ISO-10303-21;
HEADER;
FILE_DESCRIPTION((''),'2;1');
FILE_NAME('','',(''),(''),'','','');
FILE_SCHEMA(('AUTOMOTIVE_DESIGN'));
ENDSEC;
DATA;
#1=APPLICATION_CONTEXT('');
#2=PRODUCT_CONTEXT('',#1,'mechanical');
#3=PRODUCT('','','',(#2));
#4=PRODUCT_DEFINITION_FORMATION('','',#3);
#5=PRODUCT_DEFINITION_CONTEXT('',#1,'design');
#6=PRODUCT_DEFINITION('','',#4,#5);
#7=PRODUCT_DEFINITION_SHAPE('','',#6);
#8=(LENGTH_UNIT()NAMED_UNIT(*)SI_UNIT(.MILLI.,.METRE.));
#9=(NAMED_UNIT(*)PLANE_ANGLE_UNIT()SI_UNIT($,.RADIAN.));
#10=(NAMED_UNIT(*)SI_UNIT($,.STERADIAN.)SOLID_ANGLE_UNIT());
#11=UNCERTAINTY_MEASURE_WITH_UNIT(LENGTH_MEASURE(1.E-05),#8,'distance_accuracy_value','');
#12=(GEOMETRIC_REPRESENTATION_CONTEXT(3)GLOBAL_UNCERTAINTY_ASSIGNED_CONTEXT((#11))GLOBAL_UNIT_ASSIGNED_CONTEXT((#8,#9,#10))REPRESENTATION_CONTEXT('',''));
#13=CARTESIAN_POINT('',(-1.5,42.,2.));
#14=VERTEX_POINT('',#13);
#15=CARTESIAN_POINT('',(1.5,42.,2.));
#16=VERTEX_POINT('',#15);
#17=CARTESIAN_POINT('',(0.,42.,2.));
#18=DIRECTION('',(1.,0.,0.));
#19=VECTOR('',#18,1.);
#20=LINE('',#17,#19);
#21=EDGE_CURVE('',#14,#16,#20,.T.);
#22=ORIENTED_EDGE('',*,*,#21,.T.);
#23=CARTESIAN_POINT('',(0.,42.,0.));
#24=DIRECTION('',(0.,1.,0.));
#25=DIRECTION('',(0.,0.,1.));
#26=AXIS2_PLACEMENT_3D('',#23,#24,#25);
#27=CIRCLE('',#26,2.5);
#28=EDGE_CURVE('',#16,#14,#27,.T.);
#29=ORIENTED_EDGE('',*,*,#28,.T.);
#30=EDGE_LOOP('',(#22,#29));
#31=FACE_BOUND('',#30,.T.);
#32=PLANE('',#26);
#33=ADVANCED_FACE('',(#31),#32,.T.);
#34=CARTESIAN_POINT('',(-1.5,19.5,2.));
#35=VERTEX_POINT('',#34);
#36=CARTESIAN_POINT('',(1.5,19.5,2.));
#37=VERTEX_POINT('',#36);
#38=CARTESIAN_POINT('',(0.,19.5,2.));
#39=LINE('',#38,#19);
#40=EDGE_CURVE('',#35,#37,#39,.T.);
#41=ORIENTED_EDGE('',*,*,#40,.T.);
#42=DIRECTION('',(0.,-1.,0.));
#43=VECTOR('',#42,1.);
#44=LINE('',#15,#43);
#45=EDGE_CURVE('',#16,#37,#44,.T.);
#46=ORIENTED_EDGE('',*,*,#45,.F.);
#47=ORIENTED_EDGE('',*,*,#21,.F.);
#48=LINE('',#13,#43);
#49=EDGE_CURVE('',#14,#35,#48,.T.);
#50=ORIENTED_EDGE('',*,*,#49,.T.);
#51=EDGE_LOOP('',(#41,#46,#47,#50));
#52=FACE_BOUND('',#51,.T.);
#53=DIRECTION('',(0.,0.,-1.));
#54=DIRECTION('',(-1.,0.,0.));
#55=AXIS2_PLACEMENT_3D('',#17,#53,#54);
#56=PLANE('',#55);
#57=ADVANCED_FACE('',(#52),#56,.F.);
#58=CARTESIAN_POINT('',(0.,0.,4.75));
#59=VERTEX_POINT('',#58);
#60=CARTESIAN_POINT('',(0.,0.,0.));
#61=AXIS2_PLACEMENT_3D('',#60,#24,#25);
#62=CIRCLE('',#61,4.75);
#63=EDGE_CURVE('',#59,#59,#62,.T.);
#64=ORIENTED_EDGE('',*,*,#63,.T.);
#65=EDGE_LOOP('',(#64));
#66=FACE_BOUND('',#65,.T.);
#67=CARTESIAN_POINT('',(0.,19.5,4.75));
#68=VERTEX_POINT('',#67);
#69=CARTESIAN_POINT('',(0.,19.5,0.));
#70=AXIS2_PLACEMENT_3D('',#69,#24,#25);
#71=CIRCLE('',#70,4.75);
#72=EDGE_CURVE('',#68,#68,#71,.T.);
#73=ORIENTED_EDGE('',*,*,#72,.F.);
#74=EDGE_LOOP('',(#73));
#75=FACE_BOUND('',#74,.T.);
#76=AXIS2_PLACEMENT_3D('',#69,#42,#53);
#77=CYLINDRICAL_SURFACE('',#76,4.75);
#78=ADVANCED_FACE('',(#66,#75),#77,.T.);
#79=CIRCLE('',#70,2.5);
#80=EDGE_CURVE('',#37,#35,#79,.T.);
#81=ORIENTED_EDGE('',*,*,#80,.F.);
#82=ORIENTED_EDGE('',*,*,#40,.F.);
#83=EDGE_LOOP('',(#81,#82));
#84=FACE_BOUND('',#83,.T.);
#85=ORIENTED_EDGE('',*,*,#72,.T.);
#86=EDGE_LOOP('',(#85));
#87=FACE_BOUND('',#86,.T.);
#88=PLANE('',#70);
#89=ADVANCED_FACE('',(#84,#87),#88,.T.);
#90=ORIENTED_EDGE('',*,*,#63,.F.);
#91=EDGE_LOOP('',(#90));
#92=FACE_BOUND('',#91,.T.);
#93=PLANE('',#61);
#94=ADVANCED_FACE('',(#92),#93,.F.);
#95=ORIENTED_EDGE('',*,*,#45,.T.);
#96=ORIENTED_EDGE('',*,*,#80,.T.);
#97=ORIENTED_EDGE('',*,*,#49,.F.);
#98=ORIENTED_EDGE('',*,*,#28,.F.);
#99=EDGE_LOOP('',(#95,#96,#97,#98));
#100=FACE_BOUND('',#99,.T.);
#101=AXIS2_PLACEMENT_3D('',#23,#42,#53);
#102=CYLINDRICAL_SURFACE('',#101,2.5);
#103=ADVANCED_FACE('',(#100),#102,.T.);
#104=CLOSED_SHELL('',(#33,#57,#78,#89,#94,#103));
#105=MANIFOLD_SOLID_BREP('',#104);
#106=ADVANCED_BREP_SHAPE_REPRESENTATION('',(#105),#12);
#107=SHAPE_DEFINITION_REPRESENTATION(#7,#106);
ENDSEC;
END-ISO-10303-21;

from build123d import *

# Parameters (mm, degrees)
SKETCH_1_R      = 4.75
EXTRUDE_1_DEPTH = 19.5
EXTRUDE_2_DEPTH = 22.5


with BuildPart() as part:
    # 草图1 → 凸台-拉伸1 (new body)
    with BuildSketch(Plane(origin=(0, 0, 0), x_dir=(1, 0, 0), z_dir=(0, 1, 0))):
        with Locations(Location((0, 0, 0), (0, 0, 270))):
            Circle(SKETCH_1_R)
    extrude(amount=EXTRUDE_1_DEPTH)

    # 草图2 → 凸台-拉伸2 (add)
    with BuildSketch(Plane(origin=(0, 19.5, 0), x_dir=(1, 0, 0), z_dir=(0, 1, 0))):
        with BuildLine():
            ThreePointArc((2.5, 0), (-1.118033989, 2.236067977), (-1.5, -2))
            Line((-1.5, -2), (1.5, -2))
            ThreePointArc((1.5, -2), (2.236067977, -1.118033989), (2.5, 0))
        make_face()
    extrude(amount=EXTRUDE_2_DEPTH)


solid = part.part
